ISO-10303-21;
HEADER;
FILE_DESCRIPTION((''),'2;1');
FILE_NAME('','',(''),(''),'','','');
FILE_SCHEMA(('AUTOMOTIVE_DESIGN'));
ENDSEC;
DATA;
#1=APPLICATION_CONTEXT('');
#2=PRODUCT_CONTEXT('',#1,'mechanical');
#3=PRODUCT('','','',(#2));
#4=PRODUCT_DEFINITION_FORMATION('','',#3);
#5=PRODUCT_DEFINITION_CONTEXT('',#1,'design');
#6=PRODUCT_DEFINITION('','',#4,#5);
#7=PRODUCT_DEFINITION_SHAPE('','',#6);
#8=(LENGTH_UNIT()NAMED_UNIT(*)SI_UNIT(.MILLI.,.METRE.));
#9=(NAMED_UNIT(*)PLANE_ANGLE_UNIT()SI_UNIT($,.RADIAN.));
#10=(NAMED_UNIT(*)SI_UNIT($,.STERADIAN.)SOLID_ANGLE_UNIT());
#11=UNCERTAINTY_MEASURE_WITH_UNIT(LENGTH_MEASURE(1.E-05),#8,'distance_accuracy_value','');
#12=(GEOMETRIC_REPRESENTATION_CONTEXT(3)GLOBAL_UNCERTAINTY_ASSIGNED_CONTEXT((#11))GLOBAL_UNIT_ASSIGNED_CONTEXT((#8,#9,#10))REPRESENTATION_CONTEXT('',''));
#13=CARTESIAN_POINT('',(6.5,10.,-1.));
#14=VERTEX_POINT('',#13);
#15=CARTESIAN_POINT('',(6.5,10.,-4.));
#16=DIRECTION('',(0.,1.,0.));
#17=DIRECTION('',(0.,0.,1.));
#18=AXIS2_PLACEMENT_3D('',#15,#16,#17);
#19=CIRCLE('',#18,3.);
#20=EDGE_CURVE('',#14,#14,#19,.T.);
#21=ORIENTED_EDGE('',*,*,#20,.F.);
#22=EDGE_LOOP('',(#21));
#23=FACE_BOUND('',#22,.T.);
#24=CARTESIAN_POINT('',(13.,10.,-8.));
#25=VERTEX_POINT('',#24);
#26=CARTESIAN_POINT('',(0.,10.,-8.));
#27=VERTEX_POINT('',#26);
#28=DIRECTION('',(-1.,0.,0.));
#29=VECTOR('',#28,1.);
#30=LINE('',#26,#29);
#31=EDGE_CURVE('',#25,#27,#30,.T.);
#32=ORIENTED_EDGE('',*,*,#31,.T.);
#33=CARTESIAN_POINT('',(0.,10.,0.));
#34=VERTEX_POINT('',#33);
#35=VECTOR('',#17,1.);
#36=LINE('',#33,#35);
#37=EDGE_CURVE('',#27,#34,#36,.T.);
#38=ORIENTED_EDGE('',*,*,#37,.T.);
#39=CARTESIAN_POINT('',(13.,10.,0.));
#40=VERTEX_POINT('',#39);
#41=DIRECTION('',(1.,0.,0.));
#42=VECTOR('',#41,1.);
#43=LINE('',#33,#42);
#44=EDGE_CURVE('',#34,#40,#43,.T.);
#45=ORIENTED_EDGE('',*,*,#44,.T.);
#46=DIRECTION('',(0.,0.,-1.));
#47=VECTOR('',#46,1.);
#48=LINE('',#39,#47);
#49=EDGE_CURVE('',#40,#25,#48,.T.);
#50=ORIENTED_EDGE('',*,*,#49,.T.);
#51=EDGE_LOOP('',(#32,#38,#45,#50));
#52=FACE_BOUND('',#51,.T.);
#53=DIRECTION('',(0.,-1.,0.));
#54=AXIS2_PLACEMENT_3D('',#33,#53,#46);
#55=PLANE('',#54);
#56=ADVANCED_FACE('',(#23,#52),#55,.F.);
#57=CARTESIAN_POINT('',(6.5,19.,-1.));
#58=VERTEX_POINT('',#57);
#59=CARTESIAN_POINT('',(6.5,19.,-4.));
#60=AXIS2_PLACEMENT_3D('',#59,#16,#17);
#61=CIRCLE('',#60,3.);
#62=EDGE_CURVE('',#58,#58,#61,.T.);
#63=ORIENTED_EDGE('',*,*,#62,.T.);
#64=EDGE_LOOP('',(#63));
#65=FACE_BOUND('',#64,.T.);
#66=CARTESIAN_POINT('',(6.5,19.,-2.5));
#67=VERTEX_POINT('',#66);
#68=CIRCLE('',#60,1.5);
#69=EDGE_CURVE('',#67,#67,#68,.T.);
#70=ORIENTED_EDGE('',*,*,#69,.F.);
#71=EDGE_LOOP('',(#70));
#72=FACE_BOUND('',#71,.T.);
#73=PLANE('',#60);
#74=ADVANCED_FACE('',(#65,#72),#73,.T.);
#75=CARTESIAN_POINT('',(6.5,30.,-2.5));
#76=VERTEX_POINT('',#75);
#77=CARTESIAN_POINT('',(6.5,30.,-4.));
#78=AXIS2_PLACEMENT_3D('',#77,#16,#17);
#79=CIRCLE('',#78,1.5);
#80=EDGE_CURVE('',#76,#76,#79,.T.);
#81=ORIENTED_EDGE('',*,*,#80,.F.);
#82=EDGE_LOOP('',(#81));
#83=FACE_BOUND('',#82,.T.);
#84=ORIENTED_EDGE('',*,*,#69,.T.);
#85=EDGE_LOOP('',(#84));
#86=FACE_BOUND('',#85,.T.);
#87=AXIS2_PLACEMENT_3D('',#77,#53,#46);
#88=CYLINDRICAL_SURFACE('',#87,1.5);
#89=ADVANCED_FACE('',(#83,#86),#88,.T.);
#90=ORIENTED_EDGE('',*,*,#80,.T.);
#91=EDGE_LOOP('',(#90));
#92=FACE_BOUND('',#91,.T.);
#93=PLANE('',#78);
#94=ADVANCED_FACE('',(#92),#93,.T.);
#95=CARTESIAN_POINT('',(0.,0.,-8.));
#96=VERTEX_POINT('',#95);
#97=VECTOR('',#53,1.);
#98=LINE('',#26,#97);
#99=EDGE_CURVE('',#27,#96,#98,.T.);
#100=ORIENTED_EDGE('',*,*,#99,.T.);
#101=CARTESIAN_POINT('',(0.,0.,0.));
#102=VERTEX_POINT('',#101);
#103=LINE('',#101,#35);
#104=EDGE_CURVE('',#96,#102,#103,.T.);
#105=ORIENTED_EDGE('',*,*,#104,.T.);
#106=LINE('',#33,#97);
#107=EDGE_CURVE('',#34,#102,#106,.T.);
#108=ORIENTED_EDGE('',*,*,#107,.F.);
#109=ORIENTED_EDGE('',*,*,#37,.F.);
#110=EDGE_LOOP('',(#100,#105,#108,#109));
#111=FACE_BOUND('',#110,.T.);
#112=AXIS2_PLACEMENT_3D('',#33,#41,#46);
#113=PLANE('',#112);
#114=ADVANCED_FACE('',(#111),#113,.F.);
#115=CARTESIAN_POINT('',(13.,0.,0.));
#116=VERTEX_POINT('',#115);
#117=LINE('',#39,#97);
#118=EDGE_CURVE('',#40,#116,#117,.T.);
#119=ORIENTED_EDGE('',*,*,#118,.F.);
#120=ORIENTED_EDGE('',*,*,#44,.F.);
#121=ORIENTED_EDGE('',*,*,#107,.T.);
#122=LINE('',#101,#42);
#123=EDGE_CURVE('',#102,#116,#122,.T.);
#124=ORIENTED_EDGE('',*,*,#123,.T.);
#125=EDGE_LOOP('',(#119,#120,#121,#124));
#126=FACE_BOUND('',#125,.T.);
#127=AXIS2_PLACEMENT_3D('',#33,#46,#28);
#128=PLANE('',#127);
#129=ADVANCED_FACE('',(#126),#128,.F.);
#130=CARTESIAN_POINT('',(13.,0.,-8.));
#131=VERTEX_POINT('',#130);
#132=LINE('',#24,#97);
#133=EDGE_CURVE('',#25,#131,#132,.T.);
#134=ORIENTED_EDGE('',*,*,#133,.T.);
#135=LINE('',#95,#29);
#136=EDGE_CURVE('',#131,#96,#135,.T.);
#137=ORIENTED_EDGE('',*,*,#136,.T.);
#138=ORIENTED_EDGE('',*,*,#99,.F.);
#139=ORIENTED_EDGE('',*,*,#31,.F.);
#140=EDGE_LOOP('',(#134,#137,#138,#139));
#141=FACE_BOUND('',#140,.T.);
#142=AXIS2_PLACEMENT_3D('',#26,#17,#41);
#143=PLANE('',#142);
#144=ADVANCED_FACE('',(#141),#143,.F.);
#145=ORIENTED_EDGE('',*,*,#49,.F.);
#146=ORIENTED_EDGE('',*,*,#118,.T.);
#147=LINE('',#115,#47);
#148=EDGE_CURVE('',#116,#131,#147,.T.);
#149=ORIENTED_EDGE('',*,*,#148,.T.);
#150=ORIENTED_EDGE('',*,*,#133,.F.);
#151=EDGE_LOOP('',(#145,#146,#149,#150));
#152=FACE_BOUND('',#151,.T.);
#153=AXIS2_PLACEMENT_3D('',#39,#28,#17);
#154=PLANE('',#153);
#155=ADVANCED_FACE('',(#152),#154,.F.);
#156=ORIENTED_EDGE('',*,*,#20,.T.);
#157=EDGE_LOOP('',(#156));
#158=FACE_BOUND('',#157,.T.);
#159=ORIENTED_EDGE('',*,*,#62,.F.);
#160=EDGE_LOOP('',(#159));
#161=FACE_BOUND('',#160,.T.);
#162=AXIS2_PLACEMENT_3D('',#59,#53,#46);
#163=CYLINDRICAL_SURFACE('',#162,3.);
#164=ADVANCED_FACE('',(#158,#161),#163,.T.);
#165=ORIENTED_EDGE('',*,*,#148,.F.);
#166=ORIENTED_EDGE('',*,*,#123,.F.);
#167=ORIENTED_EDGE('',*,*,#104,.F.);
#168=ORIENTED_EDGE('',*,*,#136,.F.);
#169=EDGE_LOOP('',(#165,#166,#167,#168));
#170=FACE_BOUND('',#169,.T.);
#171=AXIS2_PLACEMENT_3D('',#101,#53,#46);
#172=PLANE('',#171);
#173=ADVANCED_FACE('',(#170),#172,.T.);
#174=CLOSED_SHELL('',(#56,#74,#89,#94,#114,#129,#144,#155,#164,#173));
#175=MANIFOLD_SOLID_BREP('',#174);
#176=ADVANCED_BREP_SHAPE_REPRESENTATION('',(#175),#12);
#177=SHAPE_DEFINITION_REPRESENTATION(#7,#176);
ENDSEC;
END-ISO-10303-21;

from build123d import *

# Parameters (mm, degrees)
SKETCH1_W           = 13
SKETCH1_H           = 8
BOSS_EXTRUDE1_DEPTH = 10
SKETCH2_R           = 3
BOSS_EXTRUDE2_DEPTH = 9
SKETCH3_R           = 1.5
BOSS_EXTRUDE3_DEPTH = 11


with BuildPart() as part:
    # Sketch1 → Boss-Extrude1 (new body)
    with BuildSketch(Plane(origin=(0, 0, 0), x_dir=(1, 0, 0), z_dir=(0, 1, 0))):
        with Locations((6.5, 4)):
            Rectangle(SKETCH1_W, SKETCH1_H)
    extrude(amount=BOSS_EXTRUDE1_DEPTH)

    # Sketch2 → Boss-Extrude2 (add)
    with BuildSketch(Plane(origin=(0, 10, 0), x_dir=(1, 0, 0), z_dir=(0, 1, 0))):
        with Locations(Location((6.5, 4, 0), (0, 0, 270))):
            Circle(SKETCH2_R)
    extrude(amount=BOSS_EXTRUDE2_DEPTH)

    # Sketch3 → Boss-Extrude3 (add)
    with BuildSketch(Plane(origin=(0, 19, 0), x_dir=(1, 0, 0), z_dir=(0, 1, 0))):
        with Locations(Location((6.5, 4, 0), (0, 0, 270))):
            Circle(SKETCH3_R)
    extrude(amount=BOSS_EXTRUDE3_DEPTH)


solid = part.part
